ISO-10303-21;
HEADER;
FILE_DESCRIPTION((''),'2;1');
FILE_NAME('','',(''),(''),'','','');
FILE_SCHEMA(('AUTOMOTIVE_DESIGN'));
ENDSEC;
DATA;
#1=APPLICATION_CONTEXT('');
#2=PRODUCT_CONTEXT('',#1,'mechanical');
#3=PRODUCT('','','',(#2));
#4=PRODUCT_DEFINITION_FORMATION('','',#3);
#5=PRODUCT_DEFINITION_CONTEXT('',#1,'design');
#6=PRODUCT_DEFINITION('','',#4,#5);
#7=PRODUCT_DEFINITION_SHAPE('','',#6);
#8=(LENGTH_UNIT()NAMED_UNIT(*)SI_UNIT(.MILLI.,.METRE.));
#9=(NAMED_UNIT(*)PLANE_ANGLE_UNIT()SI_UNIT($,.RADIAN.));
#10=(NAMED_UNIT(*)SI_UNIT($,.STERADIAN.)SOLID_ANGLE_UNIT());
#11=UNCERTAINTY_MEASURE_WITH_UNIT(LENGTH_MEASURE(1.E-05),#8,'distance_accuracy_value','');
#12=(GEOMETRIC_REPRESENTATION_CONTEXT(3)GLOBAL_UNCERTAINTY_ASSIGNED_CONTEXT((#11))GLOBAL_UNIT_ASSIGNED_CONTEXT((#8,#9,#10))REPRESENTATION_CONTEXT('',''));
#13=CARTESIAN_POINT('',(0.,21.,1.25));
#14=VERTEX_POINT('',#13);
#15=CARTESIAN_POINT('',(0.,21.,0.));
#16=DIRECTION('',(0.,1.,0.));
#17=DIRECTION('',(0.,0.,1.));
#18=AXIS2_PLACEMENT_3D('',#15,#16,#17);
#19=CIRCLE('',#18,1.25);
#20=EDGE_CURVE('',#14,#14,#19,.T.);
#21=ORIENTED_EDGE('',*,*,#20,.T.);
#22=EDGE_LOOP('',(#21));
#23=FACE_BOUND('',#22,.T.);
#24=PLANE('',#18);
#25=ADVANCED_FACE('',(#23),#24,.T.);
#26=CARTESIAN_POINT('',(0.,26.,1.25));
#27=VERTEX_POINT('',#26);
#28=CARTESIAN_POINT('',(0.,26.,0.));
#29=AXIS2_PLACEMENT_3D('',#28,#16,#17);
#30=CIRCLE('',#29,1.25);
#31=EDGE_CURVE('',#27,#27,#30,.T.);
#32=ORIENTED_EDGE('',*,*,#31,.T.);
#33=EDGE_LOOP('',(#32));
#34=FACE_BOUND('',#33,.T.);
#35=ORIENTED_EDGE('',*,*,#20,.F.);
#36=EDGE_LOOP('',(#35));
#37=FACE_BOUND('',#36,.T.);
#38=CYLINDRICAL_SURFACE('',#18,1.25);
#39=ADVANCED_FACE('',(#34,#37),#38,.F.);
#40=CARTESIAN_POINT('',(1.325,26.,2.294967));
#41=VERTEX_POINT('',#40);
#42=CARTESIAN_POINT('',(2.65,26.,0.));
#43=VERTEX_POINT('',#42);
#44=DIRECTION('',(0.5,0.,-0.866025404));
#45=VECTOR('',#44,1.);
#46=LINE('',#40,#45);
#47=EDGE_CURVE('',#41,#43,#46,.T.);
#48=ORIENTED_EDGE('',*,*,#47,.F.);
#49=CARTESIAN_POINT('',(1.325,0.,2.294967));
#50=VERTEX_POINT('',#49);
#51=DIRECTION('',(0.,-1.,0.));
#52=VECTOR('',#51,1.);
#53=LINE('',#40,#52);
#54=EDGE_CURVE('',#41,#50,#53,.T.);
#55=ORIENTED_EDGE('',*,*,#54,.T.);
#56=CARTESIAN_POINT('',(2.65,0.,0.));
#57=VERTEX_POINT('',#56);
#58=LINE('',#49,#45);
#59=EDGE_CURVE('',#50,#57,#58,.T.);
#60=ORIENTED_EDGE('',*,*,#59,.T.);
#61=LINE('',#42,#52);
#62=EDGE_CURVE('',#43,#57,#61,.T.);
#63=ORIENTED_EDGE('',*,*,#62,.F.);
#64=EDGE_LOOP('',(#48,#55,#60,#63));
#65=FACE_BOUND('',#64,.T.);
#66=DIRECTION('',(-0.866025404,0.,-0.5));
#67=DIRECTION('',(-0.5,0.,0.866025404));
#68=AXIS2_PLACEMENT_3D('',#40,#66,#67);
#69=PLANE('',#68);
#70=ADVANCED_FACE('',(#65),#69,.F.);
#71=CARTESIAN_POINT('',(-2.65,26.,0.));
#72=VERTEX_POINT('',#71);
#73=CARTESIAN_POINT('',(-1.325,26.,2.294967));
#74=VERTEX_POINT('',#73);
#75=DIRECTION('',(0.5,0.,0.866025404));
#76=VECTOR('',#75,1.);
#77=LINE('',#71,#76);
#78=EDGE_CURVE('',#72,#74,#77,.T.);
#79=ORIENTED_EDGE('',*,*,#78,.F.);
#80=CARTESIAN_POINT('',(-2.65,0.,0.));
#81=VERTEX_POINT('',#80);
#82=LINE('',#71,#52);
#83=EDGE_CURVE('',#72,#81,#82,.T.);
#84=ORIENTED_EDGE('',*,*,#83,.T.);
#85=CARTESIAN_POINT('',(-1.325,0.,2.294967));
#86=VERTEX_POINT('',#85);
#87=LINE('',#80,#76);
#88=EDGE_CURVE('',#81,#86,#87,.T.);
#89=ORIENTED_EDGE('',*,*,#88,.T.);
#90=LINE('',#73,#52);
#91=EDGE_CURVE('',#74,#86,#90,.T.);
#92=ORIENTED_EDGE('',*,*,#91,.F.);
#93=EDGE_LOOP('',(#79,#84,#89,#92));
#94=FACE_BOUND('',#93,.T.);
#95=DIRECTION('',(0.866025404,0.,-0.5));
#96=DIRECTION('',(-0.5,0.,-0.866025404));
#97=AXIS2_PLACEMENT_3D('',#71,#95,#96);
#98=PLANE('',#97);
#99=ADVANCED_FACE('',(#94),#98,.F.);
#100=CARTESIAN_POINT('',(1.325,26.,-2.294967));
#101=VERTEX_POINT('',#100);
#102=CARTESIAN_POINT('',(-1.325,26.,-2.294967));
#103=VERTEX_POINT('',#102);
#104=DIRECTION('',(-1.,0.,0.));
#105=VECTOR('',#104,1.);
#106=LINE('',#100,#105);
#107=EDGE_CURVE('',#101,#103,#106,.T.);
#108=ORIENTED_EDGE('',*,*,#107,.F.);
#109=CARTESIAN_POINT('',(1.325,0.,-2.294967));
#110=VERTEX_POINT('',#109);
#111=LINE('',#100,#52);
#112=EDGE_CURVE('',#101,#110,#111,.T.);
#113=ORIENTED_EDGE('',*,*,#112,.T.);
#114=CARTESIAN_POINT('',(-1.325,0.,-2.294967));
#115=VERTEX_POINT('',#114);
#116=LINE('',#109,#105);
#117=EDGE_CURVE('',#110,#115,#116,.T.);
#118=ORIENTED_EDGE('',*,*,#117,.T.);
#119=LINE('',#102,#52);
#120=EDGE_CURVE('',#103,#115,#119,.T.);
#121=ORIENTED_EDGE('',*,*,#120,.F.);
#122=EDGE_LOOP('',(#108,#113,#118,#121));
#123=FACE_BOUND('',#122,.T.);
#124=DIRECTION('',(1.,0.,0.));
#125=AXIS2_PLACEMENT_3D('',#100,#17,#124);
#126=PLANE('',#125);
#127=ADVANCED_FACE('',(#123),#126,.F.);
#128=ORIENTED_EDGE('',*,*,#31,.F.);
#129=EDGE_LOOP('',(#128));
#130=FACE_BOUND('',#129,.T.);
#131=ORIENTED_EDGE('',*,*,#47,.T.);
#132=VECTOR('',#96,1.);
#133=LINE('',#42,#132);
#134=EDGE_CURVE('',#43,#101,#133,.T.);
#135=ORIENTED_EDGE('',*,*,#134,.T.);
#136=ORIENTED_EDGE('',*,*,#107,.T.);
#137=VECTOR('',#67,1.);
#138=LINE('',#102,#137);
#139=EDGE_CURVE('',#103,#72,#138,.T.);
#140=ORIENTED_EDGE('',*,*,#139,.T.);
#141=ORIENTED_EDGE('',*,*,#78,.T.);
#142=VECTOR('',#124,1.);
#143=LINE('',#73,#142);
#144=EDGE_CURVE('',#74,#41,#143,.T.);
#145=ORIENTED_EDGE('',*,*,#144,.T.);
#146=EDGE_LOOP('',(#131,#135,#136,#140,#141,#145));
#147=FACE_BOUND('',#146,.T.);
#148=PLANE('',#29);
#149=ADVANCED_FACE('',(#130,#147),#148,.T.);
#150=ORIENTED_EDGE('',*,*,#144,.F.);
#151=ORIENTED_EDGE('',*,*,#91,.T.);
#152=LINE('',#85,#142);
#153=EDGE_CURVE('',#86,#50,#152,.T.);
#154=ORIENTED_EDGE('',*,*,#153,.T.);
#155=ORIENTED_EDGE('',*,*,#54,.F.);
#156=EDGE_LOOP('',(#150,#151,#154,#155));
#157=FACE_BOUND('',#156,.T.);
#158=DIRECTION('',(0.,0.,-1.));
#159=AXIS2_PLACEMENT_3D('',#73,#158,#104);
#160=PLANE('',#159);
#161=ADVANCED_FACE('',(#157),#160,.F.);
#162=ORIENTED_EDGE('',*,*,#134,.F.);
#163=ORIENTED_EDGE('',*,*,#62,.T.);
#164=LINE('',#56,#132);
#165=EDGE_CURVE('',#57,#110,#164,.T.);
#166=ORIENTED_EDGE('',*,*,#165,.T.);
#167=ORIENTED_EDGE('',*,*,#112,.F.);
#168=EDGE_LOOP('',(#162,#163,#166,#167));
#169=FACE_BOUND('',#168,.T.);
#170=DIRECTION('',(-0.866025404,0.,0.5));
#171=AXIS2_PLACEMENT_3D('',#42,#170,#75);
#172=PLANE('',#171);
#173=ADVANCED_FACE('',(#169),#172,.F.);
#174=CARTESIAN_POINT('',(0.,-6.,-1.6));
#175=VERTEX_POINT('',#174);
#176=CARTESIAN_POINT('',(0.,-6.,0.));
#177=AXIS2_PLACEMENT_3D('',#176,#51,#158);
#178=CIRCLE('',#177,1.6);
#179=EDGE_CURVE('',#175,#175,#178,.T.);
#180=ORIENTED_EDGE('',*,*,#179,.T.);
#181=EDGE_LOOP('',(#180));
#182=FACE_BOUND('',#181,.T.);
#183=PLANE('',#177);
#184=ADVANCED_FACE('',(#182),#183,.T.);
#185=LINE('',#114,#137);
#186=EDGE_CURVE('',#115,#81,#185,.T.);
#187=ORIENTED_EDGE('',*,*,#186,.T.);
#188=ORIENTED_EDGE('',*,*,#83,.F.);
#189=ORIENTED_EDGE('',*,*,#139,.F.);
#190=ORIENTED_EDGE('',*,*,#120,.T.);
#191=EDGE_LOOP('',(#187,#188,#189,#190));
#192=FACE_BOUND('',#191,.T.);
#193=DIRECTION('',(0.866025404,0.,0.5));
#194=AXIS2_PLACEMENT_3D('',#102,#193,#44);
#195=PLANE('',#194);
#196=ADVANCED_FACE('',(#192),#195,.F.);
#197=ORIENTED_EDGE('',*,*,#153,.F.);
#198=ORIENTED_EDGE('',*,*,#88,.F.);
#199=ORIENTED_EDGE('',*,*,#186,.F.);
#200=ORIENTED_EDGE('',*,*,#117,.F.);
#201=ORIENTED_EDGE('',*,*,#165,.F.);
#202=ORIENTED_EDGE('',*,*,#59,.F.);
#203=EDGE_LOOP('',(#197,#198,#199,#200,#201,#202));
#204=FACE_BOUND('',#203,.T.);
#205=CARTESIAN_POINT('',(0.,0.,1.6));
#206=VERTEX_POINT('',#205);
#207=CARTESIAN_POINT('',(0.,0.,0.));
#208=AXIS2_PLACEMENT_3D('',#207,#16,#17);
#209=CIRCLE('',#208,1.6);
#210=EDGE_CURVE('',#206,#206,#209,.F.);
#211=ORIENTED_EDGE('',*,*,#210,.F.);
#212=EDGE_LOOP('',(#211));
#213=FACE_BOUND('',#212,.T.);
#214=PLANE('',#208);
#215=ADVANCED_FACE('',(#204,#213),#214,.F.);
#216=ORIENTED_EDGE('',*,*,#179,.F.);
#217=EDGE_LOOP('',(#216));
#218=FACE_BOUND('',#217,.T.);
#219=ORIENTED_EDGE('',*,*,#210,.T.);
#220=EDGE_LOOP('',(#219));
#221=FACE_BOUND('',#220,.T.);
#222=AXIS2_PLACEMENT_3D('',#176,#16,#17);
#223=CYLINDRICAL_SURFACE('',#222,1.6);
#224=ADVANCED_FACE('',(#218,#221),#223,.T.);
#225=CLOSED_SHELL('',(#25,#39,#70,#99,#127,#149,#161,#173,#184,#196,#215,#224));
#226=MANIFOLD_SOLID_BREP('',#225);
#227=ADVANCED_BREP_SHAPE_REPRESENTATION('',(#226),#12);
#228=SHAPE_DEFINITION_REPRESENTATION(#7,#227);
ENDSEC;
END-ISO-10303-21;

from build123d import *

# Parameters (mm, degrees)
EXTRUDE_1_DEPTH     = 26
SKETCH_6_R          = 1.6
EXTRUDE_2_DEPTH     = 6
SKETCH_7_R          = 1.25
CUT_EXTRUDE_1_DEPTH = 5


with BuildPart() as part:
    # 草图4 → 凸台-拉伸1 (new body)
    with BuildSketch(Plane(origin=(0, 0, 0), x_dir=(1, 0, 0), z_dir=(0, 1, 0))):
        Polygon((1.325, -2.29496732), (2.65, 0), (1.325, 2.29496732), (-1.325, 2.29496732), (-2.65, 0), (-1.325, -2.29496732), align=None)
    extrude(amount=EXTRUDE_1_DEPTH)

    # 草图6 → 凸台-拉伸2 (add)
    with BuildSketch(Plane(origin=(0, 0, 0), x_dir=(-1, 0, 0), z_dir=(0, -1, 0))):
        with Locations(Location((0, 0, 0), (0, 0, 270))):
            Circle(SKETCH_6_R)
    extrude(amount=EXTRUDE_2_DEPTH)

    # 草图7 → 切除-拉伸1 (cut)
    with BuildSketch(Plane(origin=(0, 26, 0), x_dir=(1, 0, 0), z_dir=(0, 1, 0))):
        with Locations(Location((0, 0, 0), (0, 0, 270))):
            Circle(SKETCH_7_R)
    extrude(amount=-CUT_EXTRUDE_1_DEPTH, mode=Mode.SUBTRACT)


solid = part.part
